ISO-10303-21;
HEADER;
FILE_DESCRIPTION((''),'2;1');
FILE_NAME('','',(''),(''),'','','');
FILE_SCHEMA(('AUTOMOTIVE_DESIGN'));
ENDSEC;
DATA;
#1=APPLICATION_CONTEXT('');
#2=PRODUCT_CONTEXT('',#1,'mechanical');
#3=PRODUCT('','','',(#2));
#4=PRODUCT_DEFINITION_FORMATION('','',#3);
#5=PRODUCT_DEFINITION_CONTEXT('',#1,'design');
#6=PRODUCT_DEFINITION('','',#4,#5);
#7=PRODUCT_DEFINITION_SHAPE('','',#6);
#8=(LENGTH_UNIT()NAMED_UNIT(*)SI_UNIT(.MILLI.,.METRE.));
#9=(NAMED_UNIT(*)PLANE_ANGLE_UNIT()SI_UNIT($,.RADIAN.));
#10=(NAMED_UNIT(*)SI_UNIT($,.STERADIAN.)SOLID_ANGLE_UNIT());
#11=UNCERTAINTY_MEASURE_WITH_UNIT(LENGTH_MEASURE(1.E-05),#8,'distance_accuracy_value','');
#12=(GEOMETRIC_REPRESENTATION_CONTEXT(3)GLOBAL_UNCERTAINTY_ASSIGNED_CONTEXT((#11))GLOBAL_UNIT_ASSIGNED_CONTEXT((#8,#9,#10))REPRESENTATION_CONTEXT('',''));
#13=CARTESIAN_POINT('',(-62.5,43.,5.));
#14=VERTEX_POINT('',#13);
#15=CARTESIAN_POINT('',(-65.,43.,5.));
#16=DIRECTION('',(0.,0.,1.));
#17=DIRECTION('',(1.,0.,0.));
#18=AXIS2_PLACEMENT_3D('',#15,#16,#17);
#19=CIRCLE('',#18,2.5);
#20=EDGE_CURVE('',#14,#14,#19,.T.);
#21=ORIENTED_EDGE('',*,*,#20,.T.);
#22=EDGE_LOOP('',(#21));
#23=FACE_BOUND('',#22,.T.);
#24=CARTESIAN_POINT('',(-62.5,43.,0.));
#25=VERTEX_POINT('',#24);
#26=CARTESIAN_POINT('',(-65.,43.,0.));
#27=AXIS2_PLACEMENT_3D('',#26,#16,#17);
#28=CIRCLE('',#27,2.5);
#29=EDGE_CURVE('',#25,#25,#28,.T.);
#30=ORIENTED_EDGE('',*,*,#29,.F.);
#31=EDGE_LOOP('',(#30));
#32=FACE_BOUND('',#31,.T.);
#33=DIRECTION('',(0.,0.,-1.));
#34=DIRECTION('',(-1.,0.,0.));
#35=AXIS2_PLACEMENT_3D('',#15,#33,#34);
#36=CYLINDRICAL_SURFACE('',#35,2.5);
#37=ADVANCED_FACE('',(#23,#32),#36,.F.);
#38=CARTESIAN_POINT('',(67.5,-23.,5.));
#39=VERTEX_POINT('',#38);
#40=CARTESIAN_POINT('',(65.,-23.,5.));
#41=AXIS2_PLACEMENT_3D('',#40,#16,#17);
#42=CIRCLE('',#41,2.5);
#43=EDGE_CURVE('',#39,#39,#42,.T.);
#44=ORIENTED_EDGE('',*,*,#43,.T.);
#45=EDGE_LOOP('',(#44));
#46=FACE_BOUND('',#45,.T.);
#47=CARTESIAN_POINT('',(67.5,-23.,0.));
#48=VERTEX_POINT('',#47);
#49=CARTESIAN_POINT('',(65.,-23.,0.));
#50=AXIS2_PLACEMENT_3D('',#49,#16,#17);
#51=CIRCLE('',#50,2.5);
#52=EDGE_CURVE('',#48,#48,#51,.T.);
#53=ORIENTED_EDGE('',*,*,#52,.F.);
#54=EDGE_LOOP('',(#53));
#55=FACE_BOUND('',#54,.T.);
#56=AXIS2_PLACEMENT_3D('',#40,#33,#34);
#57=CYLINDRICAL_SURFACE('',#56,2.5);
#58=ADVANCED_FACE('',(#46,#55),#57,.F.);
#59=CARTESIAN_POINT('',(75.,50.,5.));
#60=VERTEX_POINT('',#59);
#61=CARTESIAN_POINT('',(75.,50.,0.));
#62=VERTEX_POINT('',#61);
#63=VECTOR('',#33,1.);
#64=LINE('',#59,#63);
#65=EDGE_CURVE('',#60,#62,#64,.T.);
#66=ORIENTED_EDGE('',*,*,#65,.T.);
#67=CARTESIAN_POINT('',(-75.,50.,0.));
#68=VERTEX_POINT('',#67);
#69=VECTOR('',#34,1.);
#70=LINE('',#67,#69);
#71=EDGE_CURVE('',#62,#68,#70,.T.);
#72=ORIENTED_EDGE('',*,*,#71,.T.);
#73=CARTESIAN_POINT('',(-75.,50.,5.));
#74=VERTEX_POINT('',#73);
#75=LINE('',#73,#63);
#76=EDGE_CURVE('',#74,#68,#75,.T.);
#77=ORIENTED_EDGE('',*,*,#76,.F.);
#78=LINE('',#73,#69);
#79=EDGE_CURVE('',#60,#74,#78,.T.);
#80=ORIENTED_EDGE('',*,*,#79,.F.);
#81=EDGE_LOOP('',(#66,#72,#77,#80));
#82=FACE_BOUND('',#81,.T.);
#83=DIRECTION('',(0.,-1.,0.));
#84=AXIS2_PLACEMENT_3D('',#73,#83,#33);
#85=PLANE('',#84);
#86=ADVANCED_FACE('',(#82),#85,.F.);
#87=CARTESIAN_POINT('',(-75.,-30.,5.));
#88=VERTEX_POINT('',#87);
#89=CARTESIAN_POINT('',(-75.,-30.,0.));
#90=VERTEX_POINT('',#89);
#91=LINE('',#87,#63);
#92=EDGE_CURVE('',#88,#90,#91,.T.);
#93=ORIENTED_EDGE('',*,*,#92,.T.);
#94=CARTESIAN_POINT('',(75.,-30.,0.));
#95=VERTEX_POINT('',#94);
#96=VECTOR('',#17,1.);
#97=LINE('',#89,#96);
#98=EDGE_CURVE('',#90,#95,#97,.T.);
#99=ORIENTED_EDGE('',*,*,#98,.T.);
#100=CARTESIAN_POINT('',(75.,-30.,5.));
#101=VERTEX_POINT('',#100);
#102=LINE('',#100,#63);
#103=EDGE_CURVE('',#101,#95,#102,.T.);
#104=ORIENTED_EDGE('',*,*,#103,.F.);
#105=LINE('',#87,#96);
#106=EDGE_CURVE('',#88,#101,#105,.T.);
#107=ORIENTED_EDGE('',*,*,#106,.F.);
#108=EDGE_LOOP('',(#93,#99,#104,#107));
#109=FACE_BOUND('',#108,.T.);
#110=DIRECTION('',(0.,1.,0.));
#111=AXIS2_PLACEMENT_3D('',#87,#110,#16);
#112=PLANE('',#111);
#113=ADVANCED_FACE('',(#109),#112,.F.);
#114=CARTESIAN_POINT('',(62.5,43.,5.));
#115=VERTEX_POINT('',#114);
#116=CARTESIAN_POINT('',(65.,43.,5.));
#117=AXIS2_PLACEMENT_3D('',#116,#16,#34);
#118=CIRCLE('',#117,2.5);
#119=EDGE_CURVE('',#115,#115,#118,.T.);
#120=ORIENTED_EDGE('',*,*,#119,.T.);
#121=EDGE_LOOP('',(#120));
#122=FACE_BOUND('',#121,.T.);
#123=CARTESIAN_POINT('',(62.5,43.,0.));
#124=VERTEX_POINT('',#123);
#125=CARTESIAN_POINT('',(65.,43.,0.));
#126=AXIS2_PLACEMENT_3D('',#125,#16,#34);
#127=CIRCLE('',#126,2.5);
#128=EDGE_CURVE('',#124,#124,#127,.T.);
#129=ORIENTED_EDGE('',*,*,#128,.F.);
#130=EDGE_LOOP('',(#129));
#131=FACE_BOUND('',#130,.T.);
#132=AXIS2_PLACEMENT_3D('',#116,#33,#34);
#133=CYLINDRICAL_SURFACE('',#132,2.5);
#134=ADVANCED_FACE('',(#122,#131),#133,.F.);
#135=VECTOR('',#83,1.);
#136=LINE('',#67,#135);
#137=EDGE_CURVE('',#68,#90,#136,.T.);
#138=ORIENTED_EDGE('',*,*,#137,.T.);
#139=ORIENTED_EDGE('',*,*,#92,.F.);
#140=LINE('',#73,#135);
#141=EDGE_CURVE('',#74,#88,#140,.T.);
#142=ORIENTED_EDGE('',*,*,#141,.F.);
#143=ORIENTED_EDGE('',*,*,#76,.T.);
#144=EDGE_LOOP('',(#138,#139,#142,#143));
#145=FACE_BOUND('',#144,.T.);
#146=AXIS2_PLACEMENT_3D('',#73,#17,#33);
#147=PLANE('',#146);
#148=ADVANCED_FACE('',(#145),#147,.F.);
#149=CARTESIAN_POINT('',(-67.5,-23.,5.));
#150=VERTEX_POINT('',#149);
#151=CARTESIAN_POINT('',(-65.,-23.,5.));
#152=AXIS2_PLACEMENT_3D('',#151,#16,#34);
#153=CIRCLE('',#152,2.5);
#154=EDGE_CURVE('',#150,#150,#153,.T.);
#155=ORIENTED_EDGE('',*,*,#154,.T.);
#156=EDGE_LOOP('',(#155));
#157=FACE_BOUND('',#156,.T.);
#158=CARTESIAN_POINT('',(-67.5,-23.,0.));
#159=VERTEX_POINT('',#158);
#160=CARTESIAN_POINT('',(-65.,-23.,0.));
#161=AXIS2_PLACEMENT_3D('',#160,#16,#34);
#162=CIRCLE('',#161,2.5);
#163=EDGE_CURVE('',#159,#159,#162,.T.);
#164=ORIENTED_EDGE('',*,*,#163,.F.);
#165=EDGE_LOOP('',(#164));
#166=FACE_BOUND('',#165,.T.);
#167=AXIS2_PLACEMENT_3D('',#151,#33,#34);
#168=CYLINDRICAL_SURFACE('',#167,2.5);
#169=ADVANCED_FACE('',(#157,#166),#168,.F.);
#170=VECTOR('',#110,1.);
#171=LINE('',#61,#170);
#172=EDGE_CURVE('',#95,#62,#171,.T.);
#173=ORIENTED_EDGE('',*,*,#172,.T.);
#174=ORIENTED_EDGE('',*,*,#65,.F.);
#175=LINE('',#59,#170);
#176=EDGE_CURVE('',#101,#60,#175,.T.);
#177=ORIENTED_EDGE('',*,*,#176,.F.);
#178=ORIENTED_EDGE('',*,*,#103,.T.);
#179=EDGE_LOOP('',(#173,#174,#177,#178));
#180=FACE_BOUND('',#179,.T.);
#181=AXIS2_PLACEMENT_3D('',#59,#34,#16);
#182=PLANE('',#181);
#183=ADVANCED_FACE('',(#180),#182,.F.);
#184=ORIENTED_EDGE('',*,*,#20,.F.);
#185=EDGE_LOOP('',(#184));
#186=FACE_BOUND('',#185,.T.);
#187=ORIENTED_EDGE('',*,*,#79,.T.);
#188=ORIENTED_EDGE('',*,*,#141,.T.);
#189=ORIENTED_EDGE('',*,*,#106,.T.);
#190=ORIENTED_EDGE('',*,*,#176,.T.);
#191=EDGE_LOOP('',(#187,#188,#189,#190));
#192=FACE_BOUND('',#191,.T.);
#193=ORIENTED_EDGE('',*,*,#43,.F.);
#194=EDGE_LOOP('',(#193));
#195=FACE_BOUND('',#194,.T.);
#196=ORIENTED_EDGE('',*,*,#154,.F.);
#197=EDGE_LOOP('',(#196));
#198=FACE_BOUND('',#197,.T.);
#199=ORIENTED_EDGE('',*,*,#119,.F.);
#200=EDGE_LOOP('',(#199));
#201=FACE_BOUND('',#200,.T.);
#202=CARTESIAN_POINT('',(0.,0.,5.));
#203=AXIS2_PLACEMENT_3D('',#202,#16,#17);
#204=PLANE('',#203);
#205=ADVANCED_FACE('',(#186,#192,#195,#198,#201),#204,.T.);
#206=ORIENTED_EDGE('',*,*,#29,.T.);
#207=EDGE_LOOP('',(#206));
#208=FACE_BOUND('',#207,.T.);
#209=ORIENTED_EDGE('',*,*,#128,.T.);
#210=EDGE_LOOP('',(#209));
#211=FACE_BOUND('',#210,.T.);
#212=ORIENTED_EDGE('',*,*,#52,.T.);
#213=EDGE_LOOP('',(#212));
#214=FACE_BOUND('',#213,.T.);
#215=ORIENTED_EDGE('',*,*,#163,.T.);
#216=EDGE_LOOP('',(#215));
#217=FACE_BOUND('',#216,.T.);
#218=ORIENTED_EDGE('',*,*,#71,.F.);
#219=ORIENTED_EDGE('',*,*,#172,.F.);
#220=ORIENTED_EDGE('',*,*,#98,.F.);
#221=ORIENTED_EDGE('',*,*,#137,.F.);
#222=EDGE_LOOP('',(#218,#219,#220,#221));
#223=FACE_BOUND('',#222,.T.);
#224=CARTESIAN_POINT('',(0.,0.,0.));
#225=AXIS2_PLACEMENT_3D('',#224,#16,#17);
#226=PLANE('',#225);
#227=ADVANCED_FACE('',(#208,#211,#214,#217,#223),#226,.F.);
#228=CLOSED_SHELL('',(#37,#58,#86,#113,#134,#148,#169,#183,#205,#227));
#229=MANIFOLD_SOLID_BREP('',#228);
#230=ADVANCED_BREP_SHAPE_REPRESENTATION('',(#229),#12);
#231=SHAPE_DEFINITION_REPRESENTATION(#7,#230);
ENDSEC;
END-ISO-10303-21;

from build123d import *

# Parameters (mm, degrees)
SKETCH1_W           = 150
SKETCH1_H           = 80
SKETCH1_R           = 2.5
BOSS_EXTRUDE1_DEPTH = 5


with BuildPart() as part:
    # Sketch1 → Boss-Extrude1 (new body)
    with BuildSketch(Plane.XY):
        with Locations((0, 10)):
            Rectangle(SKETCH1_W, SKETCH1_H)
        with Locations((-65, 43)):
            Circle(SKETCH1_R, mode=Mode.SUBTRACT)
        with Locations(Location((65, 43, 0), (0, 0, 180))):
            Circle(SKETCH1_R, mode=Mode.SUBTRACT)
        with Locations((65, -23)):
            Circle(SKETCH1_R, mode=Mode.SUBTRACT)
        with Locations(Location((-65, -23, 0), (0, 0, 180))):
            Circle(SKETCH1_R, mode=Mode.SUBTRACT)
    extrude(amount=BOSS_EXTRUDE1_DEPTH)


solid = part.part
